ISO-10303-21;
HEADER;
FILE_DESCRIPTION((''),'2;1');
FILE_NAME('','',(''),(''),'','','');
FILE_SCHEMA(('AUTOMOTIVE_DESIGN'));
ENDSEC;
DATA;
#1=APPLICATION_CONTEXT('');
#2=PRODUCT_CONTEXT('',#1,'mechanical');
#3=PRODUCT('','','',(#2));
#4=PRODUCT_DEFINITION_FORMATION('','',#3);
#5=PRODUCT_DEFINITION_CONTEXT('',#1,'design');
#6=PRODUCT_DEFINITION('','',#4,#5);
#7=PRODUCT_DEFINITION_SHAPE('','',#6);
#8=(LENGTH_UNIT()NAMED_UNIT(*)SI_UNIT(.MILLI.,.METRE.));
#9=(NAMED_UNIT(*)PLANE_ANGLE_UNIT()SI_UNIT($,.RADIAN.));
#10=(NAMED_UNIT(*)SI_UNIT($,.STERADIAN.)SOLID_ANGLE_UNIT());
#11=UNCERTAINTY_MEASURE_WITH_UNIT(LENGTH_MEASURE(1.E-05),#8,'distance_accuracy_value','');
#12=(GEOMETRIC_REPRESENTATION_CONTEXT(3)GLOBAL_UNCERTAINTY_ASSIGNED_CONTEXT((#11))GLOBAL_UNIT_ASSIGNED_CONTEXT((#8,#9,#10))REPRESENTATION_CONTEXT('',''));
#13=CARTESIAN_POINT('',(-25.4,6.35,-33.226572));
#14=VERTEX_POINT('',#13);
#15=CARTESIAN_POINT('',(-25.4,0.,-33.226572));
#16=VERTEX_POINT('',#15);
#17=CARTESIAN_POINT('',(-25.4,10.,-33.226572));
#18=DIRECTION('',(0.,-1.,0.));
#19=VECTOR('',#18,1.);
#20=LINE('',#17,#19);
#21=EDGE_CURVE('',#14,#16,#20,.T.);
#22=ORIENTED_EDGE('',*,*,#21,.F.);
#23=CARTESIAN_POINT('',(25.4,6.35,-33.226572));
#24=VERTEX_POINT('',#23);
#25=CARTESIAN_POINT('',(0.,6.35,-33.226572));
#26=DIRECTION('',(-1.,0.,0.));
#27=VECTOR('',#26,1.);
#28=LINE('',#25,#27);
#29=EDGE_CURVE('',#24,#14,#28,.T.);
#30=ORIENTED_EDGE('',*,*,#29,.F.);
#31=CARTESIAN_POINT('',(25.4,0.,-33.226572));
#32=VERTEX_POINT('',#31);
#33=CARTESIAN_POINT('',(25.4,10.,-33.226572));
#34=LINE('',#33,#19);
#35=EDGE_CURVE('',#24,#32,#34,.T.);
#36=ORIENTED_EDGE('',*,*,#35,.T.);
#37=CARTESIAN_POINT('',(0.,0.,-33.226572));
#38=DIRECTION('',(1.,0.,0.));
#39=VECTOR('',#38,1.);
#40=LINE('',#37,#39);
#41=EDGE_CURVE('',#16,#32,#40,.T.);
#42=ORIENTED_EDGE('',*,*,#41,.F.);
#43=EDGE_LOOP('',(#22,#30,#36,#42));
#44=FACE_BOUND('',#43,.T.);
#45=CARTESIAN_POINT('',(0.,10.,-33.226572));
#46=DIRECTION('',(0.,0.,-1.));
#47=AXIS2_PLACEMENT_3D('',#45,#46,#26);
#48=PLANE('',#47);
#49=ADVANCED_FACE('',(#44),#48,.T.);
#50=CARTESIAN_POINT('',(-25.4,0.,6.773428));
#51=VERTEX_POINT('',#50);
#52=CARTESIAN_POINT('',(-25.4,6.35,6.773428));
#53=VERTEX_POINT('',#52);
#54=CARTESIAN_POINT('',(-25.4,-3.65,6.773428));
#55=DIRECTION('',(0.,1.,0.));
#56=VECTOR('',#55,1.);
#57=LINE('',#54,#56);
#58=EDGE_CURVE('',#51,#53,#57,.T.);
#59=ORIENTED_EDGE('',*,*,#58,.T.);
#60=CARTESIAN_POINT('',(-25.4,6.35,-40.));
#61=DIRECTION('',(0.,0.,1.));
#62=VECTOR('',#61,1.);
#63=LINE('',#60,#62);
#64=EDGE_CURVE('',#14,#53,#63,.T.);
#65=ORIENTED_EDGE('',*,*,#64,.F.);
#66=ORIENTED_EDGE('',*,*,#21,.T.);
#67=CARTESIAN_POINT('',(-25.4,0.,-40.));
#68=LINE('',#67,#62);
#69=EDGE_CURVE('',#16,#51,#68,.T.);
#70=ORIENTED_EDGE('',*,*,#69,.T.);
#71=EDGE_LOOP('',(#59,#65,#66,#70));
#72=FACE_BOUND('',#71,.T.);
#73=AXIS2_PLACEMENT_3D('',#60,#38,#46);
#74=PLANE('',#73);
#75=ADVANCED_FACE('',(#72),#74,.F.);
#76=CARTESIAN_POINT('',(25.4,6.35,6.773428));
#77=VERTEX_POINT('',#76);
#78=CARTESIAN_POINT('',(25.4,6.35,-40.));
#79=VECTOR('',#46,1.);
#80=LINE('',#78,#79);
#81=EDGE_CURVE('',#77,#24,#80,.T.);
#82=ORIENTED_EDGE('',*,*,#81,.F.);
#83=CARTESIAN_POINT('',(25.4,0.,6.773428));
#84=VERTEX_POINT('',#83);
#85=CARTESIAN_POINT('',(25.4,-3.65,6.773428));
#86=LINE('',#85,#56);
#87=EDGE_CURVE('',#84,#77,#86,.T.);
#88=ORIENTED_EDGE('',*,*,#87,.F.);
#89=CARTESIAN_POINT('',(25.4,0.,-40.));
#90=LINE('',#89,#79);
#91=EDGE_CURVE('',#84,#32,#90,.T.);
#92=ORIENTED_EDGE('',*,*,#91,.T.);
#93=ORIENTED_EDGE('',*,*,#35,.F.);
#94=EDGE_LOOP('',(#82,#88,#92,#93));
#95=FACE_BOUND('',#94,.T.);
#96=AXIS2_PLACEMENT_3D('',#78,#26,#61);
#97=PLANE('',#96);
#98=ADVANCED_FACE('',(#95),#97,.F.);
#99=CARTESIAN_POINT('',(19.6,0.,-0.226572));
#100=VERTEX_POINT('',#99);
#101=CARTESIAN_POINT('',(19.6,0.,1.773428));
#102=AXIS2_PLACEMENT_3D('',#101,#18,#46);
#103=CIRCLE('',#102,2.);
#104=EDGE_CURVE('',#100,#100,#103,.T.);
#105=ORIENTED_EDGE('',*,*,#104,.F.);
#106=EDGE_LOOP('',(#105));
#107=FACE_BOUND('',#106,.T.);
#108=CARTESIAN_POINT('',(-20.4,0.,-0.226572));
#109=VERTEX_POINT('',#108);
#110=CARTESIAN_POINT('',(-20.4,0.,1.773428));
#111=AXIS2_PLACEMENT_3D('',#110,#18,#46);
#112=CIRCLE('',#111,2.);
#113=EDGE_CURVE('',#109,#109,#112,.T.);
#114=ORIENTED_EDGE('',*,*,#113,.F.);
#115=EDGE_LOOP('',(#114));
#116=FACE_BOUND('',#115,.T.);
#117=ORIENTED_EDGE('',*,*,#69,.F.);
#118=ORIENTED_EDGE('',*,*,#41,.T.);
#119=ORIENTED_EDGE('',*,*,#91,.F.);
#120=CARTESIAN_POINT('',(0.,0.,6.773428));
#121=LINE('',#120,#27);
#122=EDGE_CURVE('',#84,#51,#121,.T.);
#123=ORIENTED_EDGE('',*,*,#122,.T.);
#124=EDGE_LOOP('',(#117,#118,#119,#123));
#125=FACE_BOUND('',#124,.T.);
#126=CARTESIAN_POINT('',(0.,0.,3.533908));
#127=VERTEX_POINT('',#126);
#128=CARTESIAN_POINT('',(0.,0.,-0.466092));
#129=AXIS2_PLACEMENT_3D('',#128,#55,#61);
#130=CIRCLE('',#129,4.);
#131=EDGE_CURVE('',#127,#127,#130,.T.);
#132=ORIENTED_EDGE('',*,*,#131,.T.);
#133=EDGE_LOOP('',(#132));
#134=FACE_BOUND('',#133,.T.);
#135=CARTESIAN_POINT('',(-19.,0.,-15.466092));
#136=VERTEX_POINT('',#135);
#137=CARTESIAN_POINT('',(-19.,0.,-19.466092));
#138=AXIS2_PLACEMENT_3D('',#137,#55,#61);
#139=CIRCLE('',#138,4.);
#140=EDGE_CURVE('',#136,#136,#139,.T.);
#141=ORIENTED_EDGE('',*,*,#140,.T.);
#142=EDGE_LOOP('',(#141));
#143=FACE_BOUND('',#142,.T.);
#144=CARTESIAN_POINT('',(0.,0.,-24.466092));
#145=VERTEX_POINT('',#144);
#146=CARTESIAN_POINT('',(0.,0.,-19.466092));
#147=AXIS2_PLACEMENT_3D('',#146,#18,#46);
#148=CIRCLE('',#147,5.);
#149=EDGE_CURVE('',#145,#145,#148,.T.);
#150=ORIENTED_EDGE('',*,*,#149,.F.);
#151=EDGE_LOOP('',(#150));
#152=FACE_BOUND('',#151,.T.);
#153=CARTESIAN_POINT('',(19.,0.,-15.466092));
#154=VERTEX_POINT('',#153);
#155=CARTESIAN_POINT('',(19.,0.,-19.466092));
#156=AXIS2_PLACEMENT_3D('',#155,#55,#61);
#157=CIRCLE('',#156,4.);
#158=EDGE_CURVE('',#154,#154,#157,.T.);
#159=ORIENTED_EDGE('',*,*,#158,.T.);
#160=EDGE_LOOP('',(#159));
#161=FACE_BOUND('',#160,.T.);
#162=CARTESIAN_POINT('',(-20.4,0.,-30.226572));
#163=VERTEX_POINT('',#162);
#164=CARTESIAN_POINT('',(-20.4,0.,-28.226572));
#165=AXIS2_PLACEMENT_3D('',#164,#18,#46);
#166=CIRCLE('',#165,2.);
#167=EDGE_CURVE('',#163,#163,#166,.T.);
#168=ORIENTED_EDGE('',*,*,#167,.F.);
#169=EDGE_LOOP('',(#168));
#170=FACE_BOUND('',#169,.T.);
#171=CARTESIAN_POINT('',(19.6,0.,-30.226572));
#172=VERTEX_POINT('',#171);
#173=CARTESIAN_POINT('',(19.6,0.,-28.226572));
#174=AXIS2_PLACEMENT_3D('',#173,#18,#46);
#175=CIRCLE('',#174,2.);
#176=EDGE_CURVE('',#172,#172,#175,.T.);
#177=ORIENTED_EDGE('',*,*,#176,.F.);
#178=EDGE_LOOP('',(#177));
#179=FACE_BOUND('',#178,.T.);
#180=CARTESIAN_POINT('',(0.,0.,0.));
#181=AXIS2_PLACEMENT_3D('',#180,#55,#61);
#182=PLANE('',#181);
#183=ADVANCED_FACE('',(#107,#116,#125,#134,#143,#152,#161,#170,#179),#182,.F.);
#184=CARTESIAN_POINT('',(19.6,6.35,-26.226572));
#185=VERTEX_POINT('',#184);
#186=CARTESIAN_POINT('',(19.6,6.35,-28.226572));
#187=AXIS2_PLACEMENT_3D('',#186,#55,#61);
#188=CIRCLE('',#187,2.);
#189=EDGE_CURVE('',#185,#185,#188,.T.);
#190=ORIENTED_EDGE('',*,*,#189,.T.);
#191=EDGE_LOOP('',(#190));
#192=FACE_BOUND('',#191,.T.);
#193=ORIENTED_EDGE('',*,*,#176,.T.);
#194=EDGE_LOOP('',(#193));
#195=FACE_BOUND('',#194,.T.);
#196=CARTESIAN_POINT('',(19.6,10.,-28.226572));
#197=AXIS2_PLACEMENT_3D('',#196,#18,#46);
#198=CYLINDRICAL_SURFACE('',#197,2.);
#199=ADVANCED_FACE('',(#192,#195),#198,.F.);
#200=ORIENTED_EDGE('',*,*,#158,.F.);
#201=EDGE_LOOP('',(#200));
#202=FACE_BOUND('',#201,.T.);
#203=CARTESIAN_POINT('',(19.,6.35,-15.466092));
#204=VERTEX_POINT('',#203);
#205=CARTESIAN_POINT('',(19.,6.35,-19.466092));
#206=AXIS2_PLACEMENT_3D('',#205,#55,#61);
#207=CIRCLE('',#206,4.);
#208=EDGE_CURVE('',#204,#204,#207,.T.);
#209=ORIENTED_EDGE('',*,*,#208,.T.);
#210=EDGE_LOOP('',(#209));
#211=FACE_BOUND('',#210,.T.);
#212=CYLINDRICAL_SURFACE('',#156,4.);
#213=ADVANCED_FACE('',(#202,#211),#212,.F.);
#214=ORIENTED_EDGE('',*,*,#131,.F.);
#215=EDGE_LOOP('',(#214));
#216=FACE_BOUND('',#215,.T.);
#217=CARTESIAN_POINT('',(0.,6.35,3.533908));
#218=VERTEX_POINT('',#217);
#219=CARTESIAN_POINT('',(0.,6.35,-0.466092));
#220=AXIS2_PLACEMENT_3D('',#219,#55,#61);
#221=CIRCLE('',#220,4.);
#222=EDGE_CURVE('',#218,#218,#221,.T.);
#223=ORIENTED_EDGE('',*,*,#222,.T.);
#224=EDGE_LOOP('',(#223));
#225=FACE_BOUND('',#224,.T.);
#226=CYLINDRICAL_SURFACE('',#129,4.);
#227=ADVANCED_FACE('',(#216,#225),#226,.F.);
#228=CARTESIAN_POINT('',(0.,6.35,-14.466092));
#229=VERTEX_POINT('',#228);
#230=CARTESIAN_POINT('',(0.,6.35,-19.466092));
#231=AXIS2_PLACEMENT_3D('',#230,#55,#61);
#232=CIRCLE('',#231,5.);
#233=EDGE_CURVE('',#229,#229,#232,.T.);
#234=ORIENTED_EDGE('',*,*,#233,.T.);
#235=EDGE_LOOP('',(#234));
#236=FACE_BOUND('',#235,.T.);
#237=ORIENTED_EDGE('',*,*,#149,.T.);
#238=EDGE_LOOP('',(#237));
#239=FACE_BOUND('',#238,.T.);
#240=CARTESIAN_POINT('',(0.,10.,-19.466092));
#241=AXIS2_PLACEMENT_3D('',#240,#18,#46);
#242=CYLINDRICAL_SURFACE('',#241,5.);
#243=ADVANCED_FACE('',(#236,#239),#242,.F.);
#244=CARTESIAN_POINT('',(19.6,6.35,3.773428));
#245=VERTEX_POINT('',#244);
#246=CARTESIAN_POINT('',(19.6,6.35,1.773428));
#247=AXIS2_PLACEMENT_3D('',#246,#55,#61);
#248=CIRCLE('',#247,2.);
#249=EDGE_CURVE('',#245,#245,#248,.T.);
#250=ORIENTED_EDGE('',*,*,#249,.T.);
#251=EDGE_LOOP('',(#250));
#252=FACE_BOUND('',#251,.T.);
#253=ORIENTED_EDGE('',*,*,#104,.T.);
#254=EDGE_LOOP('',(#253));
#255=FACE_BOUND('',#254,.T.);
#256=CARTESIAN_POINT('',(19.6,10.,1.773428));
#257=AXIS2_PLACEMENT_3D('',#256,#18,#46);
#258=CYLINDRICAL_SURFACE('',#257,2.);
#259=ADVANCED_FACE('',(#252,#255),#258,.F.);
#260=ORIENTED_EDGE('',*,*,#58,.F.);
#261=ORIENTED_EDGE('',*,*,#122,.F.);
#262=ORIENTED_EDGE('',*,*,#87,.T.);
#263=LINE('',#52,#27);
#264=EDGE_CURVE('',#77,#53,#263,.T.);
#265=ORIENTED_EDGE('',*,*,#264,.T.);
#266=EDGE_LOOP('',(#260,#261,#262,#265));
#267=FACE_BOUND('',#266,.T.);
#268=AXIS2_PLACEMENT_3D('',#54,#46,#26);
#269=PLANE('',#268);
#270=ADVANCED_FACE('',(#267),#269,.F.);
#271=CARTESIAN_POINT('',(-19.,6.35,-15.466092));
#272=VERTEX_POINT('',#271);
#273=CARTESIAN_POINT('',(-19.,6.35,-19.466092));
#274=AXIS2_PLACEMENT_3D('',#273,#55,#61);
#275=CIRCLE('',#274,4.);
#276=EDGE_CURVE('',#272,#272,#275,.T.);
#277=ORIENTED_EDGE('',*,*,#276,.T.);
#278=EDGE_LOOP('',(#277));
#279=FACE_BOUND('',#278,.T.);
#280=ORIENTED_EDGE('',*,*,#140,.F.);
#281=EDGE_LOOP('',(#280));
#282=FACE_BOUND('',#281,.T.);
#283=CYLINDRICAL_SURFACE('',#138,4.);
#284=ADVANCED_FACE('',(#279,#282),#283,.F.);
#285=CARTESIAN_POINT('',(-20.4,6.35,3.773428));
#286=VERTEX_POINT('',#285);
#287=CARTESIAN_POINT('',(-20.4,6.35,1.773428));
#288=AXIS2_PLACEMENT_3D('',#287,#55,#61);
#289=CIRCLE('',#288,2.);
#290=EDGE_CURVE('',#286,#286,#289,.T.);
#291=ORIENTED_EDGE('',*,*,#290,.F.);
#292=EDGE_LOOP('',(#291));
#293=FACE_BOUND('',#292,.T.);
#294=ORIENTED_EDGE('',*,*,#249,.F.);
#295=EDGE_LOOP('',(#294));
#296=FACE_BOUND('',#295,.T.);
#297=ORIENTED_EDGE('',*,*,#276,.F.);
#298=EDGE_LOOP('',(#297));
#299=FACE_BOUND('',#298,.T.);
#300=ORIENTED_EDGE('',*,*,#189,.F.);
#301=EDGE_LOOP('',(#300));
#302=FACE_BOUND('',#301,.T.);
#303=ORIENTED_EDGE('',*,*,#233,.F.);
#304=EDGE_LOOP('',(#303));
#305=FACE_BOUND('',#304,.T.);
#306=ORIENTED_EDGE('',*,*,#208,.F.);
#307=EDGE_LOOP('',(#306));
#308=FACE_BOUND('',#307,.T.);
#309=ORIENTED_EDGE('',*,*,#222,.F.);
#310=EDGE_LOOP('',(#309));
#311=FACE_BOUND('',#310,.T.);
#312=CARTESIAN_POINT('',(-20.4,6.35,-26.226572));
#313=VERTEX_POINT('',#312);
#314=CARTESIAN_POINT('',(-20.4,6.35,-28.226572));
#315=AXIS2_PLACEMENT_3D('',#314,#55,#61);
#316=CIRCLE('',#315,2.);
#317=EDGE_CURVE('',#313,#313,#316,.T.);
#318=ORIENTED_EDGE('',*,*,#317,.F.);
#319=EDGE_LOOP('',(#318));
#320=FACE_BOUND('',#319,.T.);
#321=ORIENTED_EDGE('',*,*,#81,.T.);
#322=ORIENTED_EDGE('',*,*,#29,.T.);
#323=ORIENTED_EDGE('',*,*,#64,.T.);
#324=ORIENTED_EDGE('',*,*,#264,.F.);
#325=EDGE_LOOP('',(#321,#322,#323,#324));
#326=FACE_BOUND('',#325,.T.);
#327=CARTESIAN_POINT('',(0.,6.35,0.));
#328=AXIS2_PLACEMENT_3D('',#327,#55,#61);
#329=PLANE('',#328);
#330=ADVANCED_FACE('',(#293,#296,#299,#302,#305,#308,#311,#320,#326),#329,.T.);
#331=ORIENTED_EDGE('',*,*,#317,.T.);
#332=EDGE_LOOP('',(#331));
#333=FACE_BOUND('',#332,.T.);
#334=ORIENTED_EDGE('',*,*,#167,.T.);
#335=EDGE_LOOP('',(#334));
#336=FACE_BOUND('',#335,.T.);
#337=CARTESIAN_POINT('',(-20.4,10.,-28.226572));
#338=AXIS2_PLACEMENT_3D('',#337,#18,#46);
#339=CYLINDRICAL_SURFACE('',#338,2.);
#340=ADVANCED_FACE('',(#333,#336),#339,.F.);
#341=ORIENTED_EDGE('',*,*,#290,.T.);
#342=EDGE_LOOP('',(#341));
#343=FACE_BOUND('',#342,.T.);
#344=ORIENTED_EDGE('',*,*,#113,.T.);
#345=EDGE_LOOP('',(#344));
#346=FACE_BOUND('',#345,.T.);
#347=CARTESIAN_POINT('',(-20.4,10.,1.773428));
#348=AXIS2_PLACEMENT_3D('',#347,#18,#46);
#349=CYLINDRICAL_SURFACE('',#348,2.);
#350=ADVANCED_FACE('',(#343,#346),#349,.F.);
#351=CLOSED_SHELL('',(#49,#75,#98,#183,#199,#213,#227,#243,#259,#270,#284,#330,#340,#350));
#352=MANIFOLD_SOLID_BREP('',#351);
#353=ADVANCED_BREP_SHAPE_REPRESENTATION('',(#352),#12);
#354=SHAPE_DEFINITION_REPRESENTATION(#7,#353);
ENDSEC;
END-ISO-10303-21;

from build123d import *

# Parameters (mm, degrees)
CROQUIS1_W              = 50.8
CROQUIS1_H              = 80
SALIENTE_EXTRUIR1_DEPTH = 6.35
CROQUIS4_R              = 4
CORTAR_EXTRUIR3_DEPTH   = 48.806720239
CROQUIS5_W              = 50.8
CROQUIS5_H              = 12.7
CORTAR_EXTRUIR4_DEPTH   = 48.806720239
CROQUIS6_W              = 50.8
CROQUIS6_H              = 20.526572449
CORTAR_EXTRUIR5_DEPTH   = 10
CROQUIS7_W              = 50.8
CROQUIS7_H              = 6.773427551
CORTAR_EXTRUIR6_DEPTH   = 10
CROQUIS9_R              = 5
CORTAR_EXTRUIR7_DEPTH   = 10
CROQUIS10_R             = 2
CORTAR_EXTRUIR8_DEPTH   = 10


with BuildPart() as part:
    # Croquis1 → Saliente-Extruir1 (new body)
    with BuildSketch(Plane(origin=(0, 0, 0), x_dir=(1, 0, 0), z_dir=(0, 1, 0))):
        Rectangle(CROQUIS1_W, CROQUIS1_H)
    extrude(amount=SALIENTE_EXTRUIR1_DEPTH)

    # Croquis4 → Cortar-Extruir3 (cut, through all)
    with BuildSketch(Plane(origin=(0, 6.35, 0), x_dir=(1, 0, 0), z_dir=(0, 1, 0))):
        with Locations(Location((-19, 19.466091849, 0), (0, 0, 270))):
            Circle(CROQUIS4_R)
        with Locations(Location((19, 19.466091849, 0), (0, 0, 270))):
            Circle(CROQUIS4_R)
        with Locations(Location((0, 0.466091849, 0), (0, 0, 270))):
            Circle(CROQUIS4_R)
    extrude(amount=-CORTAR_EXTRUIR3_DEPTH, mode=Mode.SUBTRACT)

    # Croquis5 → Cortar-Extruir4 (cut, through all)
    with BuildSketch(Plane(origin=(0, 6.35, 0), x_dir=(1, 0, 0), z_dir=(0, 1, 0))):
        with Locations((0, -33.65)):
            Rectangle(CROQUIS5_W, CROQUIS5_H)
    extrude(amount=-CORTAR_EXTRUIR4_DEPTH, mode=Mode.SUBTRACT)

    # Croquis6 → Cortar-Extruir5 (cut)
    with BuildSketch(Plane(origin=(0, 6.35, 0), x_dir=(1, 0, 0), z_dir=(0, 1, 0))):
        with Locations((0, -17.036713776)):
            Rectangle(CROQUIS6_W, CROQUIS6_H)
    extrude(amount=-CORTAR_EXTRUIR5_DEPTH, mode=Mode.SUBTRACT)

    # Croquis7 → Cortar-Extruir6 (cut)
    with BuildSketch(Plane.XZ):
        with Locations((0, -36.613286225)):
            Rectangle(CROQUIS7_W, CROQUIS7_H)
    extrude(amount=-CORTAR_EXTRUIR6_DEPTH, mode=Mode.SUBTRACT)

    # Croquis9 → Cortar-Extruir7 (cut)
    with BuildSketch(Plane.XZ):
        with Locations(Location((0, -19.466091849, 0), (0, 0, 270))):
            Circle(CROQUIS9_R)
    extrude(amount=-CORTAR_EXTRUIR7_DEPTH, mode=Mode.SUBTRACT)

    # Croquis10 → Cortar-Extruir8 (cut)
    with BuildSketch(Plane.XZ):
        with Locations(Location((-20.4, 1.773427551, 0), (0, 0, 270))):
            Circle(CROQUIS10_R)
        with Locations(Location((19.6, 1.773427551, 0), (0, 0, 270))):
            Circle(CROQUIS10_R)
        with Locations(Location((19.6, -28.226572449, 0), (0, 0, 270))):
            Circle(CROQUIS10_R)
        with Locations(Location((-20.4, -28.226572449, 0), (0, 0, 270))):
            Circle(CROQUIS10_R)
    extrude(amount=-CORTAR_EXTRUIR8_DEPTH, mode=Mode.SUBTRACT)


solid = part.part
